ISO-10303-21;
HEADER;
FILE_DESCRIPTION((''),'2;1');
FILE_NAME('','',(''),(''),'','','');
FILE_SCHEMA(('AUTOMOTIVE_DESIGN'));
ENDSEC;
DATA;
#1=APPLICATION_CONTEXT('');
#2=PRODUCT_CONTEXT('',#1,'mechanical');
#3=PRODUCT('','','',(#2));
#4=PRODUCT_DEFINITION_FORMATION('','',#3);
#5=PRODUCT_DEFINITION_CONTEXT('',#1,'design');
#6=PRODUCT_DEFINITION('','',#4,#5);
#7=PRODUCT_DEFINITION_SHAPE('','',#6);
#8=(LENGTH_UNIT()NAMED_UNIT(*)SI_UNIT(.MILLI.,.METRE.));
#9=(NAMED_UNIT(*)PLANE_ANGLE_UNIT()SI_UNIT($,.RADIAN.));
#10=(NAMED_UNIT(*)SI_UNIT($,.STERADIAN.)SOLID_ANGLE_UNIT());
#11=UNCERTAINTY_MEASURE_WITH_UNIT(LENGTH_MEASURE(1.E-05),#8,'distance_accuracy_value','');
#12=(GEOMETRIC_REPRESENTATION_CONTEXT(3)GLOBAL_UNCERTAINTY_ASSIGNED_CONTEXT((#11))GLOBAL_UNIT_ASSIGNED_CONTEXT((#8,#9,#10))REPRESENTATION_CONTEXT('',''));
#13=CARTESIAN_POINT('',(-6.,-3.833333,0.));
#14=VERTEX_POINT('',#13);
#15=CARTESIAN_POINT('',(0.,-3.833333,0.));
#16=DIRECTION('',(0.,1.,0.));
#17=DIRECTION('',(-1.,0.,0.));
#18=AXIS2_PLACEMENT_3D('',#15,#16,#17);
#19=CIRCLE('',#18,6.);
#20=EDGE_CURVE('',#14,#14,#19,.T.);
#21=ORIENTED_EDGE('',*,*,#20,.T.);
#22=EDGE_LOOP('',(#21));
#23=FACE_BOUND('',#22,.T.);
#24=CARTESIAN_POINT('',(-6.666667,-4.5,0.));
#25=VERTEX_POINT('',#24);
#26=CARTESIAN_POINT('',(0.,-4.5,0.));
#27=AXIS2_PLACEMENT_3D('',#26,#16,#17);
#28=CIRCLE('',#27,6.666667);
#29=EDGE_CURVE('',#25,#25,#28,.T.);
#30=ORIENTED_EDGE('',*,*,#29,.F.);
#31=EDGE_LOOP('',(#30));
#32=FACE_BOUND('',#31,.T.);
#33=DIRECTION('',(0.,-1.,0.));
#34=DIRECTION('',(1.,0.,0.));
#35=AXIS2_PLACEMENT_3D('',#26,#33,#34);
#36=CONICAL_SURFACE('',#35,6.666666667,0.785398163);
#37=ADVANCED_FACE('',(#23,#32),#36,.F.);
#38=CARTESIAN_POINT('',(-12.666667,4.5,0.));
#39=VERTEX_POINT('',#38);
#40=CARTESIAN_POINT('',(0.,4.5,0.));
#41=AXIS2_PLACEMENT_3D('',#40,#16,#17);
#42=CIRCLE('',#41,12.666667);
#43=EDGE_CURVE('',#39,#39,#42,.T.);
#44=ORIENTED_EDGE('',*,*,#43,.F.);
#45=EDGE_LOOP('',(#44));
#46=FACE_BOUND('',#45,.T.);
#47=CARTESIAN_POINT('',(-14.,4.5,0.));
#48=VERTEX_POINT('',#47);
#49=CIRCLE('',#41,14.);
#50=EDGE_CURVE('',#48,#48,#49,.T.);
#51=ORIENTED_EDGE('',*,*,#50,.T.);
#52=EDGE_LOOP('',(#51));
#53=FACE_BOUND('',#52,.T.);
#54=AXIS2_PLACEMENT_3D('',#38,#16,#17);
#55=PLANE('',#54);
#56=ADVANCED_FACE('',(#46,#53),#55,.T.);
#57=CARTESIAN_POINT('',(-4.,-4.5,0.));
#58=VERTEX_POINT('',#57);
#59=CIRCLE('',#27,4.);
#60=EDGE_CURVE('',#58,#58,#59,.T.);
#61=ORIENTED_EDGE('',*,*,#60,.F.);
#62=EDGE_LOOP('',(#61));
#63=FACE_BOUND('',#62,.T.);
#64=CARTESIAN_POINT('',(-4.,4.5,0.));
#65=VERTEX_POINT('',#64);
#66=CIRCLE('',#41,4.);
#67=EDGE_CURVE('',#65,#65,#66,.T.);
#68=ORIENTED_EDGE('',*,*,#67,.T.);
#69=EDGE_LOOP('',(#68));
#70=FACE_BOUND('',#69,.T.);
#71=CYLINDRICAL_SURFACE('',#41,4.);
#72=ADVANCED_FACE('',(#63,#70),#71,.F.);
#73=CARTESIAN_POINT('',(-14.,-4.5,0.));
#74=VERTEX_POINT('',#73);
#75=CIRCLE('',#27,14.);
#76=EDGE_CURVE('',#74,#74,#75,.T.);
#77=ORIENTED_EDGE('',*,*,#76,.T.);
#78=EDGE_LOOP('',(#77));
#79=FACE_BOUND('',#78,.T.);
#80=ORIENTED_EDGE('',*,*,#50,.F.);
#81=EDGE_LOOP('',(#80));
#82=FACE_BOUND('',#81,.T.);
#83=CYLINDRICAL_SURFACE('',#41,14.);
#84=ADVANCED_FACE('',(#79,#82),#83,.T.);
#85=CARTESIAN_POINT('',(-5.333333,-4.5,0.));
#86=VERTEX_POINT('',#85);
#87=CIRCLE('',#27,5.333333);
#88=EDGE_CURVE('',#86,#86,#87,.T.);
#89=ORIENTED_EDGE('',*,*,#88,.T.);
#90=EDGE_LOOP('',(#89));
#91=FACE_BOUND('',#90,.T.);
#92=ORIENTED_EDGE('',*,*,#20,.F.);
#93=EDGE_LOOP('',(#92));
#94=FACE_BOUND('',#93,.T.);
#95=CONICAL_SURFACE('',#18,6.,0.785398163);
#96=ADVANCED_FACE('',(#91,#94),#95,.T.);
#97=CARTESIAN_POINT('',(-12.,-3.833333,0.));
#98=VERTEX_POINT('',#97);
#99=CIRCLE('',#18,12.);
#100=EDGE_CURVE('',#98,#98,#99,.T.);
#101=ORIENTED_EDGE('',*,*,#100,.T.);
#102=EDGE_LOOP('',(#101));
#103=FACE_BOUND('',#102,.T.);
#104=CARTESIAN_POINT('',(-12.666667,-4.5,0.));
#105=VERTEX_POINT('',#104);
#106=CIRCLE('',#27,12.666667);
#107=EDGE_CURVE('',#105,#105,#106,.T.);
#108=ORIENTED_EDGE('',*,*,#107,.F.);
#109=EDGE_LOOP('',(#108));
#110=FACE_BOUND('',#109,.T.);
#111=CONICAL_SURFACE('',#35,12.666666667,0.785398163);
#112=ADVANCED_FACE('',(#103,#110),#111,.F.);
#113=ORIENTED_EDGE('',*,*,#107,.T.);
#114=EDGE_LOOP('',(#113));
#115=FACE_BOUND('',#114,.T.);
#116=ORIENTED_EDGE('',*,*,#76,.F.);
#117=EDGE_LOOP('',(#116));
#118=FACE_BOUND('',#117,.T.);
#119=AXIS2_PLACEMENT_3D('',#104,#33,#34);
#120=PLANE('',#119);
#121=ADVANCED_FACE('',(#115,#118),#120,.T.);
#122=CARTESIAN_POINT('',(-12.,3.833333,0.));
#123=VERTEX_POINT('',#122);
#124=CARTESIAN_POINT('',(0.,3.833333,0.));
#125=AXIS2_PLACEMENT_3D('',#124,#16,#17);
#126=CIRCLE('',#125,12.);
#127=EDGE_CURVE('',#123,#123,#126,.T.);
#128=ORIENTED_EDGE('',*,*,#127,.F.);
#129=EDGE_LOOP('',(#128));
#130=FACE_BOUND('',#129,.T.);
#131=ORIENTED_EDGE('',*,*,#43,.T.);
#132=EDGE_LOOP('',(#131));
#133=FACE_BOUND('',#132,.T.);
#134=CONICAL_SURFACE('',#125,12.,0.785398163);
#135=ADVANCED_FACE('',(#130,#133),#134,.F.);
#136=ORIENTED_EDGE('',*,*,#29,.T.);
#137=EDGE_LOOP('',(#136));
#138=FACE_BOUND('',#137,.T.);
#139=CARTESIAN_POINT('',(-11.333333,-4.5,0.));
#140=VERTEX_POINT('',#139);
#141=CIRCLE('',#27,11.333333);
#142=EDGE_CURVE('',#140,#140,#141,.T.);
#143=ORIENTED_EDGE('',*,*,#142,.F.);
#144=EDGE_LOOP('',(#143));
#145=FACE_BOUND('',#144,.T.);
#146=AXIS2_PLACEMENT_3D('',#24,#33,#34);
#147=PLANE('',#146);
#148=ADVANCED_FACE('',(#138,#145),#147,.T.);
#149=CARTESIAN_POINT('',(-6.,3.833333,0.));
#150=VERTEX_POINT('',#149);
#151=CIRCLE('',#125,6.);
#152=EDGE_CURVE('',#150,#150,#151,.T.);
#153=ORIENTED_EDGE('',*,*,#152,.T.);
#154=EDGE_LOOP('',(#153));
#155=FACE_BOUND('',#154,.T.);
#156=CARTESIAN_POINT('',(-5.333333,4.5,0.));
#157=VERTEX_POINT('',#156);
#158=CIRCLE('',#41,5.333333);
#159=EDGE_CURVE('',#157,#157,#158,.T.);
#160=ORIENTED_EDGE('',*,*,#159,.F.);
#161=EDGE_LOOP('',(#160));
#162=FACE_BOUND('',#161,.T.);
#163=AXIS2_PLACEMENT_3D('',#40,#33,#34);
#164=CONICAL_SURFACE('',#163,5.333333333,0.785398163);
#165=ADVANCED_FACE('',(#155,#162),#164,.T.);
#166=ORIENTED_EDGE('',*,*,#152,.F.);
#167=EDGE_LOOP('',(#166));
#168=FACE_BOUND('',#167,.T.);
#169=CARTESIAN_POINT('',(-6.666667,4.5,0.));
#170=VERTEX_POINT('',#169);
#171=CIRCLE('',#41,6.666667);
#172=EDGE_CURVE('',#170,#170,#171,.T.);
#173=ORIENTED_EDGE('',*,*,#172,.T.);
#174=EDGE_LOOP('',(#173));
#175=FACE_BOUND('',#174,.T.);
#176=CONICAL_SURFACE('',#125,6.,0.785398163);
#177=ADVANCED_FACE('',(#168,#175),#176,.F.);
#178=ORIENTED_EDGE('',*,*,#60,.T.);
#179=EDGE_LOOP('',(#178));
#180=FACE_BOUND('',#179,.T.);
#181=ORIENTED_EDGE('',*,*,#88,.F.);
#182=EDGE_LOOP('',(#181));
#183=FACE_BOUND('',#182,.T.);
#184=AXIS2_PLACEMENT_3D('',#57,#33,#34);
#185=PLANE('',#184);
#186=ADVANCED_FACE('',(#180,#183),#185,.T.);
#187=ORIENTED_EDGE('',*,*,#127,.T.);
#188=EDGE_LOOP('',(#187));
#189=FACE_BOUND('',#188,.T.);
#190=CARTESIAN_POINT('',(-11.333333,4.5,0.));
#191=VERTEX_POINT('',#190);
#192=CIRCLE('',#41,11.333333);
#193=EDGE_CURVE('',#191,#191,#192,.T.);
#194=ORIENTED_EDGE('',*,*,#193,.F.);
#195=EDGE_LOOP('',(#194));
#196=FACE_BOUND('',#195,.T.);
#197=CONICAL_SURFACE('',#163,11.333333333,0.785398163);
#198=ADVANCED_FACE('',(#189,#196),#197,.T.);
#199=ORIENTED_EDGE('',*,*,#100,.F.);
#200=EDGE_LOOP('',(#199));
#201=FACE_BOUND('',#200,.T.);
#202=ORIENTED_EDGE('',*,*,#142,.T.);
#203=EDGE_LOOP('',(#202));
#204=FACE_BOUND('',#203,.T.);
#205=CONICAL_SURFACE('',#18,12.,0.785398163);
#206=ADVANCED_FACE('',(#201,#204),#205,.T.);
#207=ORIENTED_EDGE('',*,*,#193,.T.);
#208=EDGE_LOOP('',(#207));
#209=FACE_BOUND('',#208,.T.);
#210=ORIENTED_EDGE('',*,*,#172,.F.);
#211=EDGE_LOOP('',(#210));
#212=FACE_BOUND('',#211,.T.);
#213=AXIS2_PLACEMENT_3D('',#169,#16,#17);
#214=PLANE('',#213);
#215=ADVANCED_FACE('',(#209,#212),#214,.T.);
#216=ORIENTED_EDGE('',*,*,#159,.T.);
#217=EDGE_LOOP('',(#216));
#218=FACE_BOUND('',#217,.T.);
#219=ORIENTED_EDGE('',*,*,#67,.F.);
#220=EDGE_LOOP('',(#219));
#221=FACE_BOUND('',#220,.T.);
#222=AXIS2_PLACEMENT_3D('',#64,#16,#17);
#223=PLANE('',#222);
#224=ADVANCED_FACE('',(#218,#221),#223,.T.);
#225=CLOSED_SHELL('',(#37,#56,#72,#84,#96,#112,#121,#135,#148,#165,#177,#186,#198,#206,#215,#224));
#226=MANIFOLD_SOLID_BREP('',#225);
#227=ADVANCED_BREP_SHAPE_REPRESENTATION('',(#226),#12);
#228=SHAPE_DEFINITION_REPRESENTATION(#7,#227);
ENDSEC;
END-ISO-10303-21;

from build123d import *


with BuildPart() as part:
    # Sketch1 → Revolve1 (revolve)
    with BuildSketch(Plane.XY):
        Polygon((-4, 4.5), (-5.333333333, 4.5), (-6, 3.833333333), (-6.666666667, 4.5), (-11.333333333, 4.5), (-12, 3.833333333), (-12.666666667, 4.5), (-14, 4.5), (-14, -4.5), (-12.666666667, -4.5), (-12, -3.833333333), (-11.333333333, -4.5), (-6.666666667, -4.5), (-6, -3.833333333), (-5.333333333, -4.5), (-4, -4.5), align=None)
    revolve(axis=Axis((0, 4.5, 0), (0, -1, 0)))


solid = part.part
